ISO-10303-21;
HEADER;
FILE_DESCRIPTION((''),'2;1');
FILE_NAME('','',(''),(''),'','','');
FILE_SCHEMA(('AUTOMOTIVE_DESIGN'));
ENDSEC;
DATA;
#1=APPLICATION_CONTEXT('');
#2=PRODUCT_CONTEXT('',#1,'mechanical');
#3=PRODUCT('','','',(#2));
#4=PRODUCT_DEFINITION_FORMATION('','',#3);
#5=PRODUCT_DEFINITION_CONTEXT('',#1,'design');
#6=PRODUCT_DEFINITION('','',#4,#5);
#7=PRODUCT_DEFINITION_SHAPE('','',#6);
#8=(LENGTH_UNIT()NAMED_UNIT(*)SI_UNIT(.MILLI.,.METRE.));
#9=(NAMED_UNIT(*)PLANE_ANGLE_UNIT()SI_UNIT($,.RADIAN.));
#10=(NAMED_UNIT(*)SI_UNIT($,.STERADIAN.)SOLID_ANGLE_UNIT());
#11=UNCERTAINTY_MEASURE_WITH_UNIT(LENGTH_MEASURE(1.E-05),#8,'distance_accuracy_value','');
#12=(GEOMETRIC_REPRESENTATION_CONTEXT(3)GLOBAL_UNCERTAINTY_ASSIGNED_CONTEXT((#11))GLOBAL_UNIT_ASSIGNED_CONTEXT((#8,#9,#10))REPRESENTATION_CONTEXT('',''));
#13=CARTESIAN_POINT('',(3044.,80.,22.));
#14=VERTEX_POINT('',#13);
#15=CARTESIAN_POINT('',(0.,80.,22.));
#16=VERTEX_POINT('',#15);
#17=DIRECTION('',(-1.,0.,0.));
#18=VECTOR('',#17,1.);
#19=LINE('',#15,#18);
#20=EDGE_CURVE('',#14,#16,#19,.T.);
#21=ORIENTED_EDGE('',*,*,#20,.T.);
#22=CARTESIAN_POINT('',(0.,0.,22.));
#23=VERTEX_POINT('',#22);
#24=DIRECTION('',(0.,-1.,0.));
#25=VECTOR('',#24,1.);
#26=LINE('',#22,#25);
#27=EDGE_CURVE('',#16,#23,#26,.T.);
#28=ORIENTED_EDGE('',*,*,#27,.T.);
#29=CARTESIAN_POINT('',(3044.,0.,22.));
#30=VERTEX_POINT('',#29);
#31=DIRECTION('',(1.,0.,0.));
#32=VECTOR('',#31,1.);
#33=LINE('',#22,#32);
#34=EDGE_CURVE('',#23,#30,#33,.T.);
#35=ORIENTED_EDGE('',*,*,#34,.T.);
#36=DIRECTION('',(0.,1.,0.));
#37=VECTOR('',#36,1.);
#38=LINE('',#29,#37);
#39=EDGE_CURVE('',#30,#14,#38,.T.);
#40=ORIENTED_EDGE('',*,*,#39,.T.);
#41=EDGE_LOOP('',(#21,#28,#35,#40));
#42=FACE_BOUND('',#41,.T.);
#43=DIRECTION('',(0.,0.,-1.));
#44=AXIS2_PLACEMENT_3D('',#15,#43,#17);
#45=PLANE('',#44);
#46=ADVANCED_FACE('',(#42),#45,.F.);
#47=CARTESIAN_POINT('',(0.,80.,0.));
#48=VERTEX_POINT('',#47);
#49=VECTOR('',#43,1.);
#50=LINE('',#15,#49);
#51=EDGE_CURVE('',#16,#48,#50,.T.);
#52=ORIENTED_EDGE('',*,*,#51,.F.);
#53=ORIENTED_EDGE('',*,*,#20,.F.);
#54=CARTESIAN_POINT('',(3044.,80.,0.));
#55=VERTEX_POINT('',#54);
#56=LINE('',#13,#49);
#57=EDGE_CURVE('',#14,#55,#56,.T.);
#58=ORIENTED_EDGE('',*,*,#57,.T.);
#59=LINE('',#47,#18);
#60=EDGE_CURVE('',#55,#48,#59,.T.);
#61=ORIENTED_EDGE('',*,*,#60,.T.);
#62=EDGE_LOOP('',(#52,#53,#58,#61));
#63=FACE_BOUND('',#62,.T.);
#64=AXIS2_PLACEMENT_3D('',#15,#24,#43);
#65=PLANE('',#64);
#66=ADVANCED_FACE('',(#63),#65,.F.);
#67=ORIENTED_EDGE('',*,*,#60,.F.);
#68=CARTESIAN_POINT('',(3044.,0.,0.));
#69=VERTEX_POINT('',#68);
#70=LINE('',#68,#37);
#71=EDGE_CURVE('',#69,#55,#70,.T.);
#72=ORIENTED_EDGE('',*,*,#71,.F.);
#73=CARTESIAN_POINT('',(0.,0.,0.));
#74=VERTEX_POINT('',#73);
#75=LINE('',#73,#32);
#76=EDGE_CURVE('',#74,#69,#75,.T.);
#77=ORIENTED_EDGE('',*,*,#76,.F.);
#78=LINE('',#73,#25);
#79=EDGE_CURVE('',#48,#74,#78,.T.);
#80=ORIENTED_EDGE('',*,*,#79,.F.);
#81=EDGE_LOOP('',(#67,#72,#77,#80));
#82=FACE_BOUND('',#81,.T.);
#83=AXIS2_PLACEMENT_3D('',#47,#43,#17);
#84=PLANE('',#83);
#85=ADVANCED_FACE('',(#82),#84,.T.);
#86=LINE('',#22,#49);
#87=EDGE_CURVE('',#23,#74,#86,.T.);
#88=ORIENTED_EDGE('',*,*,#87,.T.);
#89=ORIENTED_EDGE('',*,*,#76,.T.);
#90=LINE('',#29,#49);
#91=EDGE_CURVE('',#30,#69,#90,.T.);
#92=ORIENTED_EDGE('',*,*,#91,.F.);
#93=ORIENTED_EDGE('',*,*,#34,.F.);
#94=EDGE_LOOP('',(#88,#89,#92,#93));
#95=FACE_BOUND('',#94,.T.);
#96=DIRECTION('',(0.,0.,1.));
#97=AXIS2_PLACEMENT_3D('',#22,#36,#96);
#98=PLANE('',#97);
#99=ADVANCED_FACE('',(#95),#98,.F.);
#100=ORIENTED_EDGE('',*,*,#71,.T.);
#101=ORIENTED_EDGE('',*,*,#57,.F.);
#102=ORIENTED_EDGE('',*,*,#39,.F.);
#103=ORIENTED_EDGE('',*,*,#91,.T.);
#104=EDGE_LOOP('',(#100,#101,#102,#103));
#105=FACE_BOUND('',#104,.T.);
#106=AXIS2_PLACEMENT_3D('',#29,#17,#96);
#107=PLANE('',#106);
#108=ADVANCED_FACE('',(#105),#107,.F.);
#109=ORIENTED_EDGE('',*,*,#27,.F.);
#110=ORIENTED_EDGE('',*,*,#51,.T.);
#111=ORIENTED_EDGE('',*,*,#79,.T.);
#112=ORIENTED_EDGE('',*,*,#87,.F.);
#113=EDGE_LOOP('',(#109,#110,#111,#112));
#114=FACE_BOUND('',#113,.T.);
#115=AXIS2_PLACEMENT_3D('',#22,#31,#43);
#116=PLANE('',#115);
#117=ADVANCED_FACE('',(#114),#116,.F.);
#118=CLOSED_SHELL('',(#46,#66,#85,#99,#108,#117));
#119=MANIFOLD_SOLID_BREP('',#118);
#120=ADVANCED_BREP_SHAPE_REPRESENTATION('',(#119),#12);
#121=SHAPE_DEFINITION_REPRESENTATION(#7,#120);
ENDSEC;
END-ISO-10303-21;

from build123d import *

# Parameters (mm, degrees)
ESQUISSE1_W      = 3044
ESQUISSE1_H      = 80
EXTRUSION1_DEPTH = 22


with BuildPart() as part:
    # Esquisse1 → Extrusion1 (new body)
    with BuildSketch(Plane.XY):
        with Locations((1522, 40)):
            Rectangle(ESQUISSE1_W, ESQUISSE1_H)
    extrude(amount=EXTRUSION1_DEPTH)


solid = part.part
